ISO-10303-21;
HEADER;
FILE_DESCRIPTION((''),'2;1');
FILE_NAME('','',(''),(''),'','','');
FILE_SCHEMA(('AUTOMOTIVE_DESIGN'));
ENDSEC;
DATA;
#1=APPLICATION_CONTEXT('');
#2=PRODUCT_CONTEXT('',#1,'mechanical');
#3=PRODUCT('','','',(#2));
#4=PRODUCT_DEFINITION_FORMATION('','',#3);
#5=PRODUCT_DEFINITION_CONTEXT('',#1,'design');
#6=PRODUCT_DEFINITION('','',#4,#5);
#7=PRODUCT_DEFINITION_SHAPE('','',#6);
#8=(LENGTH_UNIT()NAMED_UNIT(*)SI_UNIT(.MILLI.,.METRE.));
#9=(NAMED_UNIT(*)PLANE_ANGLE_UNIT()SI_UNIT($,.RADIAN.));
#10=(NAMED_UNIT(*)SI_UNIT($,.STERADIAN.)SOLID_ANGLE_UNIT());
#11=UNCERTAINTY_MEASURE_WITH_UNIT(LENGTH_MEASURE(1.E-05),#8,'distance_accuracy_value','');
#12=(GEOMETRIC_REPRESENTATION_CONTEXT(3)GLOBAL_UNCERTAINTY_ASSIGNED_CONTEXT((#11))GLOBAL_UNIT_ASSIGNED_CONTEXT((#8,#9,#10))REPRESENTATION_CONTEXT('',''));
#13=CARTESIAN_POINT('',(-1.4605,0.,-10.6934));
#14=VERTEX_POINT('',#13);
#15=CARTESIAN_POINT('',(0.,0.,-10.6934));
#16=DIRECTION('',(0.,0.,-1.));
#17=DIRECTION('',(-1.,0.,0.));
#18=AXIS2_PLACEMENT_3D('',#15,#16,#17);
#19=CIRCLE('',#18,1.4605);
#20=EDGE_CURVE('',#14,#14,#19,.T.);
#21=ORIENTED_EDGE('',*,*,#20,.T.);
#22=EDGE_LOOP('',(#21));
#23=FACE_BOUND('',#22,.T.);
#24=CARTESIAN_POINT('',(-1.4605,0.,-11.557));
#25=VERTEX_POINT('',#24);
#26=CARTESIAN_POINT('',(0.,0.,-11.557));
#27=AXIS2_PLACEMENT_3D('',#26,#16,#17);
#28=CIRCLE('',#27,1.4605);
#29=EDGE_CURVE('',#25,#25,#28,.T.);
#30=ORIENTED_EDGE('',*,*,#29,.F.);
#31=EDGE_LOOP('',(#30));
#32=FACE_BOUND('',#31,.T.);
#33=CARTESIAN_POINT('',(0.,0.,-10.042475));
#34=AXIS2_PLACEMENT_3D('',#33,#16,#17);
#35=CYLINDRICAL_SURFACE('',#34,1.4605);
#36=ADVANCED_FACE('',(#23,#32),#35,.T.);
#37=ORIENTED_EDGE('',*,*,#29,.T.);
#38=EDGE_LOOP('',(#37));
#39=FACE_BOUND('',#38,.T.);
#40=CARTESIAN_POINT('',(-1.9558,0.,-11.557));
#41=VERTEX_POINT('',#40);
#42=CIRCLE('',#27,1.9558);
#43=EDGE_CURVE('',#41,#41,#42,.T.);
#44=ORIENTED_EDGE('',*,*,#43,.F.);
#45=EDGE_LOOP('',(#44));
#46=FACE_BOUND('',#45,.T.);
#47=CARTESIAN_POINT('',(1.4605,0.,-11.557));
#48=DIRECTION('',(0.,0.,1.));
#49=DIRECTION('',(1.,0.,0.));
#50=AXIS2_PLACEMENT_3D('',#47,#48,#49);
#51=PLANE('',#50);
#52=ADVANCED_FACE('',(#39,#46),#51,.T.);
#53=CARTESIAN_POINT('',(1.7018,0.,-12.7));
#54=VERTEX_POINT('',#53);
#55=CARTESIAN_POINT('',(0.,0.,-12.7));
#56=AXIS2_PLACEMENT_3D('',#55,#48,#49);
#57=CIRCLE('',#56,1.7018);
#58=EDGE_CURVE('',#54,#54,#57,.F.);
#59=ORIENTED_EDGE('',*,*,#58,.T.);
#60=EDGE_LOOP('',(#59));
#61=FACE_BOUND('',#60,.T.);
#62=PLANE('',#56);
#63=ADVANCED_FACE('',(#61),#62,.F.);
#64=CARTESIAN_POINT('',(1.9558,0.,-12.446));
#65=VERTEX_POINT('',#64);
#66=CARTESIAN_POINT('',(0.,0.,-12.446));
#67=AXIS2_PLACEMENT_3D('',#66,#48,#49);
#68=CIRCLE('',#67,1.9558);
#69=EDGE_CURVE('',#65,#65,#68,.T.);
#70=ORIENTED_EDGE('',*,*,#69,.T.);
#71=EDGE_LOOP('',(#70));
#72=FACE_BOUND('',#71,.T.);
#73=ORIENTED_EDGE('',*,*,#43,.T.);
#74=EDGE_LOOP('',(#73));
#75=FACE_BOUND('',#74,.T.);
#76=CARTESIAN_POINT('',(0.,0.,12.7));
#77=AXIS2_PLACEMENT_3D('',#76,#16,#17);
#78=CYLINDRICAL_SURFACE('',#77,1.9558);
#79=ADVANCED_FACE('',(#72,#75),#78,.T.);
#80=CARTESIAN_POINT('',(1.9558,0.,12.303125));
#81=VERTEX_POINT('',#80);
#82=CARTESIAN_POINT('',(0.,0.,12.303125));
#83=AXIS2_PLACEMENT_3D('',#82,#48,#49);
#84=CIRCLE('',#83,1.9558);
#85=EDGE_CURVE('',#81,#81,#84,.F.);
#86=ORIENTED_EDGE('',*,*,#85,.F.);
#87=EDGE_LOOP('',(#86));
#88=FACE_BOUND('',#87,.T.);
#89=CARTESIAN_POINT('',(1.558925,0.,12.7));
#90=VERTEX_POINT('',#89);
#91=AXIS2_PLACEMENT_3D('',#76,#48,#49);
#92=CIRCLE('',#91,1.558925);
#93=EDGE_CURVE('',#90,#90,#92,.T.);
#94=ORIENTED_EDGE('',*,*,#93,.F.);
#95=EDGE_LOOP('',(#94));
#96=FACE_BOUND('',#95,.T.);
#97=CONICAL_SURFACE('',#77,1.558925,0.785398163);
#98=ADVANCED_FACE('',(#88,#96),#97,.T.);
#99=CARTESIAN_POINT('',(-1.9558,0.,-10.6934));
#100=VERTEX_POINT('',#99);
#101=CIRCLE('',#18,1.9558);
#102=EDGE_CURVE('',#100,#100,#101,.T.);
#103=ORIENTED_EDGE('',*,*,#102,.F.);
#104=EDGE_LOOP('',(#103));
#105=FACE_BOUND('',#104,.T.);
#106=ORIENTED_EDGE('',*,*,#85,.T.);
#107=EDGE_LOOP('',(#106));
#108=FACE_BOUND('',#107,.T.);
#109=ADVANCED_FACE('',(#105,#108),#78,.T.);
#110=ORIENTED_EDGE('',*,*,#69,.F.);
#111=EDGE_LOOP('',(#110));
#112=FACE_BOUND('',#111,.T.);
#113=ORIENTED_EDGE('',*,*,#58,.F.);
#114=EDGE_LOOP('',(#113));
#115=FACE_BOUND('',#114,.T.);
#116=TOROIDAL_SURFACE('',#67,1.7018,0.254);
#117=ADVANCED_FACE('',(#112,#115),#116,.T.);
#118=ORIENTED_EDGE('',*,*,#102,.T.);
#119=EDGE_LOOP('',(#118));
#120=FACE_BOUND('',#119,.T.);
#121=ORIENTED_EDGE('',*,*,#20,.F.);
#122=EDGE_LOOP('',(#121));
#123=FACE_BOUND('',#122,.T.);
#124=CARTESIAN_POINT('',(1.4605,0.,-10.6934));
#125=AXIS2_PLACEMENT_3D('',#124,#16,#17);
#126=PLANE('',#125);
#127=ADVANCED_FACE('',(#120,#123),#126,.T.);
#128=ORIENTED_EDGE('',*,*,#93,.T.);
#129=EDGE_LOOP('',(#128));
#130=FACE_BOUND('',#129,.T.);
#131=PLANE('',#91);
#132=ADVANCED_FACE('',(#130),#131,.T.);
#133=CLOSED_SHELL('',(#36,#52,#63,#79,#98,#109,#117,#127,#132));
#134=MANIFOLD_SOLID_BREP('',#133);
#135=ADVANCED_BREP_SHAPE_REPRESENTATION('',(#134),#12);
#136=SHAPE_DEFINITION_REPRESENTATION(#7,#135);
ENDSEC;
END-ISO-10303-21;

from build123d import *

# Parameters (mm, degrees)
SKETCH1_R      = 1.9558
EXTRUDE1_DEPTH = 12.7
SKETCH2_W      = 0.4953
SKETCH2_H      = 0.8636
FILLET1_R      = 0.254
CHAMFER1_SIZE  = 0.396875


with BuildPart() as part:
    # Sketch1 → Extrude1 (new body, symmetric)
    with BuildSketch(Plane.XY):
        Circle(SKETCH1_R)
    extrude(amount=EXTRUDE1_DEPTH, both=True)

    # Sketch2 → Cut-Revolve1 (revolve, cut)
    with BuildSketch(Plane(origin=(0, 0, 0), x_dir=(1, 0, 0), z_dir=(0, 1, 0))):
        with Locations((1.70815, 11.1252)):
            Rectangle(SKETCH2_W, SKETCH2_H)
    revolve(axis=Axis((0, 0, -10.042474892), (0, 0, 1)), mode=Mode.SUBTRACT)

    # Fillet1
    fillet1_edges = [part.edges().sort_by_distance(p)[0] for p in [
        (-1.9558, 0, -12.7),
    ]]
    fillet(fillet1_edges, radius=FILLET1_R)

    # Chamfer1
    chamfer1_edges = [part.edges().sort_by_distance(p)[0] for p in [
        (-1.9558, 0, 12.7),
    ]]
    chamfer(chamfer1_edges, length=CHAMFER1_SIZE)


solid = part.part
